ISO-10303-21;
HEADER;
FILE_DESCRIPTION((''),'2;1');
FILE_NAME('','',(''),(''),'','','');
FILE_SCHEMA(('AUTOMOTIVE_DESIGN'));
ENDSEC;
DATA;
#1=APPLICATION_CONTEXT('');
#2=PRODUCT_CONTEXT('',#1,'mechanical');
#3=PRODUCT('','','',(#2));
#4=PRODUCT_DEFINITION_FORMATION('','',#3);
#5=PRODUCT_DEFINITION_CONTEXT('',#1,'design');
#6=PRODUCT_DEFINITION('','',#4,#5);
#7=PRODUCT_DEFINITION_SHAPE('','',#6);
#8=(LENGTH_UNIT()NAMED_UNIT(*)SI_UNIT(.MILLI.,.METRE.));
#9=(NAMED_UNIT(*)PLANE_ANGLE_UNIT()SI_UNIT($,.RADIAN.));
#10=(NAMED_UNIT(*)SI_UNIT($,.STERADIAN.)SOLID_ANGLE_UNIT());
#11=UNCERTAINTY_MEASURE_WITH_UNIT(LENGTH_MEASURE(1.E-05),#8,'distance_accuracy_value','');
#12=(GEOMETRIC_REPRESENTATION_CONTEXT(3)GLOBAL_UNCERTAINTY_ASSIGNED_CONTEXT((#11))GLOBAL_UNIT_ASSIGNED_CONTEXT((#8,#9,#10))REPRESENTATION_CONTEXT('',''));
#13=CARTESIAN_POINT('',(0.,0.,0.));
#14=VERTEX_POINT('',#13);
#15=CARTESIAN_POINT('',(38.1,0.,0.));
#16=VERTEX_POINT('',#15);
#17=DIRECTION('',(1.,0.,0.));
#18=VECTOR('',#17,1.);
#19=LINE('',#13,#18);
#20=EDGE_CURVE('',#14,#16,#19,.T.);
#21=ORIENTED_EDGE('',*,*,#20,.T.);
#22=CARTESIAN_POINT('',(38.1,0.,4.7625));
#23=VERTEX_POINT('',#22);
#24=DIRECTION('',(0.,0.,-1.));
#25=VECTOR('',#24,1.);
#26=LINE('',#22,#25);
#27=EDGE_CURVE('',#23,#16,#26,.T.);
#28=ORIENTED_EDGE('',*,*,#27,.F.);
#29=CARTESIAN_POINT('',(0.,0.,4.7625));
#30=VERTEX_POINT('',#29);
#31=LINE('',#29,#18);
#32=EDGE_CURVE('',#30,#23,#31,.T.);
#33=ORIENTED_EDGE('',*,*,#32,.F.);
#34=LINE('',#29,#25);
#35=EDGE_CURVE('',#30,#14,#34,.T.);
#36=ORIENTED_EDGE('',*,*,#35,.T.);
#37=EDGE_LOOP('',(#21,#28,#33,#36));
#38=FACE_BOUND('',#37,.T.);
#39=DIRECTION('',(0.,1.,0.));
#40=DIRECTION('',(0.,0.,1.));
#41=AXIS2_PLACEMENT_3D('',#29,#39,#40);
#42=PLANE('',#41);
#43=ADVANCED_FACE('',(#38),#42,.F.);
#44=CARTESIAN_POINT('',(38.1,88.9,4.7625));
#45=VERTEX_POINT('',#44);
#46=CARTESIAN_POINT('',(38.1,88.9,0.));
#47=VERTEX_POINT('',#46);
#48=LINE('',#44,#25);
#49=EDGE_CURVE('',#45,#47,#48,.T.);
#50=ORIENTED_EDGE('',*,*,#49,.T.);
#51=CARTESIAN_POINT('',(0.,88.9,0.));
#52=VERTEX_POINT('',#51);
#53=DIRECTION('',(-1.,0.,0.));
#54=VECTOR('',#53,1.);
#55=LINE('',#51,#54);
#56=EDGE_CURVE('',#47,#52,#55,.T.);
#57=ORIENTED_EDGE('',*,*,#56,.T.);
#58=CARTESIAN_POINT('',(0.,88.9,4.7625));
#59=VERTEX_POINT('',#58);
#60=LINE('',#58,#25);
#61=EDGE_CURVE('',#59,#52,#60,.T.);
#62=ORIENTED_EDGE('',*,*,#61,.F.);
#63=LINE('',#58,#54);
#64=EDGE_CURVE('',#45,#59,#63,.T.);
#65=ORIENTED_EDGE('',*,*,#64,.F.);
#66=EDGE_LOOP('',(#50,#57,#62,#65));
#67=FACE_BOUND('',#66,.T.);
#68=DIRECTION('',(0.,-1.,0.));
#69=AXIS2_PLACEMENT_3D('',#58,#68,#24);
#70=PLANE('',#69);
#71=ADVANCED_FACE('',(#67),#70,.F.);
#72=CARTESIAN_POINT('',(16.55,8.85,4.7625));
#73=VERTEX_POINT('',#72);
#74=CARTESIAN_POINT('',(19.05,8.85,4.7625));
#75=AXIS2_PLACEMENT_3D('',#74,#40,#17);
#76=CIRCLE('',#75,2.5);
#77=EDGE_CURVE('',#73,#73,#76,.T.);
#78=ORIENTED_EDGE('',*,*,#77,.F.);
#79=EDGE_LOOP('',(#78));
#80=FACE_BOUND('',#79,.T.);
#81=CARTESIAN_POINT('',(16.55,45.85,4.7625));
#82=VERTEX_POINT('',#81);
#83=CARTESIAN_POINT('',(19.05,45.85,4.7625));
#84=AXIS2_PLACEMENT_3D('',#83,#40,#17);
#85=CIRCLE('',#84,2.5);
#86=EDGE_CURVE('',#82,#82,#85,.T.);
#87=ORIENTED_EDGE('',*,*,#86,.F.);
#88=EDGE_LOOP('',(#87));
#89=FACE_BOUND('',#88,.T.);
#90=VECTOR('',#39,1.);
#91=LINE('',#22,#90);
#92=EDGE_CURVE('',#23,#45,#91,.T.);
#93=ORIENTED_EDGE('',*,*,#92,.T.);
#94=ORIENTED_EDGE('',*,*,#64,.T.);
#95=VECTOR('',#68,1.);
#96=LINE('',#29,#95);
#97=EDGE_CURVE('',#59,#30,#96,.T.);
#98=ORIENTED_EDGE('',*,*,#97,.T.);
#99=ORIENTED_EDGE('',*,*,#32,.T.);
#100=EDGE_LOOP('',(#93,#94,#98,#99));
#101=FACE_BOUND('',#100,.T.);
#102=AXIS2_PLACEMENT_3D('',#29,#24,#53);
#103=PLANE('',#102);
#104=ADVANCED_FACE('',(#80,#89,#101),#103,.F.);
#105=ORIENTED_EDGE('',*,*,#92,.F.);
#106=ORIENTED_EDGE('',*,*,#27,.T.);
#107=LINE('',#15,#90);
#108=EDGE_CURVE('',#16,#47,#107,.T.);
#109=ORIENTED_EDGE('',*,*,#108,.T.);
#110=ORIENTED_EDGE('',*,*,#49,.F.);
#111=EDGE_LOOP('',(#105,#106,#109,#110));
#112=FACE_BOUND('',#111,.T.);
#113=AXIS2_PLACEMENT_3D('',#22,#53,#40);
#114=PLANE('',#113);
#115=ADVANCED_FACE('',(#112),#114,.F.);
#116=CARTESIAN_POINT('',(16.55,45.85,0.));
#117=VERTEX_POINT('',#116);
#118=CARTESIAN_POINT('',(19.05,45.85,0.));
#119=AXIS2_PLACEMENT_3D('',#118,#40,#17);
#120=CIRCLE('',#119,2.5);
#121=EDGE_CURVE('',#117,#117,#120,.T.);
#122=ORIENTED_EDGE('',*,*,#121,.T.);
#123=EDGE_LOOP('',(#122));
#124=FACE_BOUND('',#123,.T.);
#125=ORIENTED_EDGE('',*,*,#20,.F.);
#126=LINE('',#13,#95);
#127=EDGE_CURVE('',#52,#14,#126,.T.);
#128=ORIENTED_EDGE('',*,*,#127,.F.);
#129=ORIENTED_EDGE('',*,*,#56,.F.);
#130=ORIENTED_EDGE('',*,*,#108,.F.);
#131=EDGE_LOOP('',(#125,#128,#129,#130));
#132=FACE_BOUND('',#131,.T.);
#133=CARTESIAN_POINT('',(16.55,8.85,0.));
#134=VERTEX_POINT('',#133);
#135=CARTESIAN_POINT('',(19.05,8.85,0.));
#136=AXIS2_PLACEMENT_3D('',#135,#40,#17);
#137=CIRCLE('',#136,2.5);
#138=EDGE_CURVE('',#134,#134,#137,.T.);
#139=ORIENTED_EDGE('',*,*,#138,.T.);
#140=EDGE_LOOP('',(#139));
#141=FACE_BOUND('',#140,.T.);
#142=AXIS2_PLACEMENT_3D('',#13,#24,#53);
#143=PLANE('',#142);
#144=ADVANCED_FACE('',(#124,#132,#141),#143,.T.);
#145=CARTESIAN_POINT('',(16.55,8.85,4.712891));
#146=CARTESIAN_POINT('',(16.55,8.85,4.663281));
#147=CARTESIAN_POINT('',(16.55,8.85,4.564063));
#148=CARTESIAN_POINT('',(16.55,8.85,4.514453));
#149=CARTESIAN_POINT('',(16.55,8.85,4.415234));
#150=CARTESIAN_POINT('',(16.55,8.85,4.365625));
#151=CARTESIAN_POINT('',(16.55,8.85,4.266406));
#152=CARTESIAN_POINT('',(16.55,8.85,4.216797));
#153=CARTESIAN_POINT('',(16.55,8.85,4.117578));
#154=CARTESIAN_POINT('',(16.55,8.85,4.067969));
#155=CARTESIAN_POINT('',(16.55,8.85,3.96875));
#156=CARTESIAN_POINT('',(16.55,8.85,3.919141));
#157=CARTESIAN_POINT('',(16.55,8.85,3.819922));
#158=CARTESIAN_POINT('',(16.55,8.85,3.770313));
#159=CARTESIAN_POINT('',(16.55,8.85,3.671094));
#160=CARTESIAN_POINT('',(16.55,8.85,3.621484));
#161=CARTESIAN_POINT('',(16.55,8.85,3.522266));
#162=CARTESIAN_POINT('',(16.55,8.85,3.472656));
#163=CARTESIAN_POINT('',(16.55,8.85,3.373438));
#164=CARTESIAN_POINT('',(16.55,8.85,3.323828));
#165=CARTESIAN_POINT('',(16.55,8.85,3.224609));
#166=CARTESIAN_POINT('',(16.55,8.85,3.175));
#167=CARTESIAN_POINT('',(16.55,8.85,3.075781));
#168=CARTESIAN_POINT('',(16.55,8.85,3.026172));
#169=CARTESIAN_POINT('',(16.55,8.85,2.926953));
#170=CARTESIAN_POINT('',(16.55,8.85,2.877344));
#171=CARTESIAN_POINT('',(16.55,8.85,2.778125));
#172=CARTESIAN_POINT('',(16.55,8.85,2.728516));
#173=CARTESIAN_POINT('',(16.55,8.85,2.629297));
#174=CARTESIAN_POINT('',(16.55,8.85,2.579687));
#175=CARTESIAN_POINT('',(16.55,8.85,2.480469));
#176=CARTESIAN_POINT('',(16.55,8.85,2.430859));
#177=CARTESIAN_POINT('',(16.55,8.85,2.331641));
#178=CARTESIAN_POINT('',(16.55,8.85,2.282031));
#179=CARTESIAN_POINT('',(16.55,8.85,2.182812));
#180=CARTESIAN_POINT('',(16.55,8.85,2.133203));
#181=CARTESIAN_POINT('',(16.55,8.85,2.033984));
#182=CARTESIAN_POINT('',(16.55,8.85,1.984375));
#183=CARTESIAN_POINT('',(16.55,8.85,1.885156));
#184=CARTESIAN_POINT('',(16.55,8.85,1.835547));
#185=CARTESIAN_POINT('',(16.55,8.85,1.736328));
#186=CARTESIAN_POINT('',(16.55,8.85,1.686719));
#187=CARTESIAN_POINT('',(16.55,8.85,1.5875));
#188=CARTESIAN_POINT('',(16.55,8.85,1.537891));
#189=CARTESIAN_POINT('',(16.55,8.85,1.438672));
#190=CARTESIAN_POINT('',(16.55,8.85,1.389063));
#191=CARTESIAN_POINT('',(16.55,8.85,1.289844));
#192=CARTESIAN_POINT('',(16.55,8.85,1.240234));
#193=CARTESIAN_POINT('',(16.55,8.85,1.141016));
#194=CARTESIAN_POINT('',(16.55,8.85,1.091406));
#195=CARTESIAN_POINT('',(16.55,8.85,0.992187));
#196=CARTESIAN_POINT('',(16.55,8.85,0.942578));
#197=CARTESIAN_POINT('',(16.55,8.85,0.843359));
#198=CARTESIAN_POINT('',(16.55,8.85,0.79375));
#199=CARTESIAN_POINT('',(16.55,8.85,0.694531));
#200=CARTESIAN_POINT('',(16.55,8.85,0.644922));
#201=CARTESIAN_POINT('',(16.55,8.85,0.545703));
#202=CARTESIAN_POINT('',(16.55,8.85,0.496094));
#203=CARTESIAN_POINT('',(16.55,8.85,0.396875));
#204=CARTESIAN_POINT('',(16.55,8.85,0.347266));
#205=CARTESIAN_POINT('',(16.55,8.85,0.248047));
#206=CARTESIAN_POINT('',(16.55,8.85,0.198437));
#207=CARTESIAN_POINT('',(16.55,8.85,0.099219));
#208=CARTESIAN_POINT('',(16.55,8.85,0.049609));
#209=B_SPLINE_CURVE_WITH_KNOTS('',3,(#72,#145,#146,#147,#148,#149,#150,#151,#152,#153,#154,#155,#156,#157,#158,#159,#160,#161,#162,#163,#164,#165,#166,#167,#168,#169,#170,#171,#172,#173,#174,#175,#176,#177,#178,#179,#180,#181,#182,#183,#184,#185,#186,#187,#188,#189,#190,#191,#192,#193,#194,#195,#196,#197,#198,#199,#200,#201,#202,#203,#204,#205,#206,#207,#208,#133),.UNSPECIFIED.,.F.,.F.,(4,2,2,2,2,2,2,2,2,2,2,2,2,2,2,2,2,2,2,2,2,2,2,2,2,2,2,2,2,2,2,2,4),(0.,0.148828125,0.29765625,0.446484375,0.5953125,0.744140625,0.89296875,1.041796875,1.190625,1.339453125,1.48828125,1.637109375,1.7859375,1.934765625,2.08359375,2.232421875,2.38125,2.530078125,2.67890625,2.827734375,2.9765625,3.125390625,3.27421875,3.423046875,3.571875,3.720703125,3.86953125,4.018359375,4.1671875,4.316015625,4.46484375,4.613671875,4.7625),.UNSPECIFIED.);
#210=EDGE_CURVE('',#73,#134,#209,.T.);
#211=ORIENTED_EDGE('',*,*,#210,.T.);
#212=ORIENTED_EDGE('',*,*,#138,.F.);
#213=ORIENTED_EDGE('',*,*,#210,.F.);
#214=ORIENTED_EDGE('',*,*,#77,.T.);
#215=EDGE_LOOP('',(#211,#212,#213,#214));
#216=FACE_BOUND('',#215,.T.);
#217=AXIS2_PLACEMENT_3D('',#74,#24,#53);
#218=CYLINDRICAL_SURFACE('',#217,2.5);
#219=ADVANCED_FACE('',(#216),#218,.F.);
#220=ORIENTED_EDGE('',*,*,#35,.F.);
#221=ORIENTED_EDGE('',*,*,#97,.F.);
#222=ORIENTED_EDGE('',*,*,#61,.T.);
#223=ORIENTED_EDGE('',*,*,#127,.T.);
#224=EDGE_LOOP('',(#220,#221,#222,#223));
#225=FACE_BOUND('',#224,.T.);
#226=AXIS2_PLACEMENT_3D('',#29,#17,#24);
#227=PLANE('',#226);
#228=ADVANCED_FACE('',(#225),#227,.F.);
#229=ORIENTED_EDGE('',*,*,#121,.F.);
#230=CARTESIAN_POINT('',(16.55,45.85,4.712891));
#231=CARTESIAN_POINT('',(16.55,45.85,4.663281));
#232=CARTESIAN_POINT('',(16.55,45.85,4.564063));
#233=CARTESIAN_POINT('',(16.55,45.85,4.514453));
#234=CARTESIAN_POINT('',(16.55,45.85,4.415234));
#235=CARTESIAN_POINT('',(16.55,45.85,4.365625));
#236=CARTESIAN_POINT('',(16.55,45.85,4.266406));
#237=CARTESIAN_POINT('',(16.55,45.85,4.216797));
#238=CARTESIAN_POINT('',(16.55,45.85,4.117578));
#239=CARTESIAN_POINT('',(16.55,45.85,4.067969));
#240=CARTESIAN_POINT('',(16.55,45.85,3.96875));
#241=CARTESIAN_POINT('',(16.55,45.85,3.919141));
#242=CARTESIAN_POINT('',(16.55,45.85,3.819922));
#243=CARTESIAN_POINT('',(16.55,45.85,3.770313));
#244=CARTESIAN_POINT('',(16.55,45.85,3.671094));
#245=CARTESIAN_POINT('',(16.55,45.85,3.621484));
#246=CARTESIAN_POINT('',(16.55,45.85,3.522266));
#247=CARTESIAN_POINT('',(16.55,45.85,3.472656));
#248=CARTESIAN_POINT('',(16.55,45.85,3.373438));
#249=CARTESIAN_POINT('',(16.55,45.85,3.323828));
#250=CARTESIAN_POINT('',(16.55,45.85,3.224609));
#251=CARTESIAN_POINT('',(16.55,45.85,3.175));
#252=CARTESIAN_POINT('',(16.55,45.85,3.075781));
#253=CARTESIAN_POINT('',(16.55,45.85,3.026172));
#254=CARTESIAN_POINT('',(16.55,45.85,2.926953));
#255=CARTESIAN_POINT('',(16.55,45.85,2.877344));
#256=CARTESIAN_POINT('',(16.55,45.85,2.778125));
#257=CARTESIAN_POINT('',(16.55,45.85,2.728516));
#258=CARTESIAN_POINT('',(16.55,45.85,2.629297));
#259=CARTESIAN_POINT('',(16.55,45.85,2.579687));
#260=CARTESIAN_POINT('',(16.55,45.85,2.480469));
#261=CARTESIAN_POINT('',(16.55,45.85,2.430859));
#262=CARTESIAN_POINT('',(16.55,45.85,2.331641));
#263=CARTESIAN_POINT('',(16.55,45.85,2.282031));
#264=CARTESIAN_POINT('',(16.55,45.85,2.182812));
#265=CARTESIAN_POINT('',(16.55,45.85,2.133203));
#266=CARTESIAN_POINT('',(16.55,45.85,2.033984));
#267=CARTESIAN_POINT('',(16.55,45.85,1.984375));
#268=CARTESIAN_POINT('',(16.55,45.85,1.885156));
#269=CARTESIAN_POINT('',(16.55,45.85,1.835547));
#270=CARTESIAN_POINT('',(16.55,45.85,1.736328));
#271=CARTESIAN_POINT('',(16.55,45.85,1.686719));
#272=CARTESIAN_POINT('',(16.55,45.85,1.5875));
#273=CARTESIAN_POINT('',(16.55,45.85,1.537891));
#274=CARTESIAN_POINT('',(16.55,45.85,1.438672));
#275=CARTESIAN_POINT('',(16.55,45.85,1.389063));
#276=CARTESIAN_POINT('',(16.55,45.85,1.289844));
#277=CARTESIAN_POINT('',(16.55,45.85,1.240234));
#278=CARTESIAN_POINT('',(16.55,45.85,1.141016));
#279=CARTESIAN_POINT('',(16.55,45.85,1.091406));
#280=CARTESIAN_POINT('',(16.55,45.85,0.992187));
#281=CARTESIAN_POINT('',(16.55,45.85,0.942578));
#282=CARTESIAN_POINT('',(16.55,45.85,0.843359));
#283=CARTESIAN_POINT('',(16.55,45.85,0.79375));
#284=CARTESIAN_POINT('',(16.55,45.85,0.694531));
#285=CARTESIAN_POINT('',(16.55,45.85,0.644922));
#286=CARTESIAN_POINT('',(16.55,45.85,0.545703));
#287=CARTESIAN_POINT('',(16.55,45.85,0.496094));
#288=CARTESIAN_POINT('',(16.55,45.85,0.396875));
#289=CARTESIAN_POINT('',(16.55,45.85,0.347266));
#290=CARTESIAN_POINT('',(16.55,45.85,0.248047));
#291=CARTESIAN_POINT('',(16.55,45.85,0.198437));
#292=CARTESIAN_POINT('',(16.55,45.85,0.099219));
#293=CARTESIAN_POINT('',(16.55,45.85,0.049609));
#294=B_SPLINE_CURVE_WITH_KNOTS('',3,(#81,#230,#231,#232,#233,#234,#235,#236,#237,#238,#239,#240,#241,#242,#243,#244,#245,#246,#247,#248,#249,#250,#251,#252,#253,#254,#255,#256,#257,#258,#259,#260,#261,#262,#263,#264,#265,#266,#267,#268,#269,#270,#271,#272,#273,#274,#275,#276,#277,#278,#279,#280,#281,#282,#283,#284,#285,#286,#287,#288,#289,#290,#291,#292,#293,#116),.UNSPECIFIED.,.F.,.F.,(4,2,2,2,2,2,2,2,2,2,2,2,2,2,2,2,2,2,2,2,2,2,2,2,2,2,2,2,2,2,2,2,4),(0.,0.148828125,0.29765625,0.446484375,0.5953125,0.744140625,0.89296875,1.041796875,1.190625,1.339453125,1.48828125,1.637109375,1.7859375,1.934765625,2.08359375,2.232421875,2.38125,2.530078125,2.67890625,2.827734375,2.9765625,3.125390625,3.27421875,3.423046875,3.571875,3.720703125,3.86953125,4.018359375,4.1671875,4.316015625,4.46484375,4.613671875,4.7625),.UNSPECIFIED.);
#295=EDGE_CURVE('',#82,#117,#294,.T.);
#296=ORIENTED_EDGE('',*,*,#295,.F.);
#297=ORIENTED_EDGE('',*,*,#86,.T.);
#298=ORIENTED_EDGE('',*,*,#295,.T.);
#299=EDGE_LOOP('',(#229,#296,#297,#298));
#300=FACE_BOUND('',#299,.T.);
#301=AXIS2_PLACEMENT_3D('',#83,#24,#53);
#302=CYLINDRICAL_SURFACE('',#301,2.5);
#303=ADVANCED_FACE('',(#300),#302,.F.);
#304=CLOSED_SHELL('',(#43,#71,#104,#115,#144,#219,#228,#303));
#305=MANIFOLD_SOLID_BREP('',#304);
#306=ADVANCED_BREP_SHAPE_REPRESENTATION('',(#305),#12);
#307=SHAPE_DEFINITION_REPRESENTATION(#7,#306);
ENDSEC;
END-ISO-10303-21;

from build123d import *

# Parameters (mm, degrees)
SKETCH1_W           = 38.1
SKETCH1_H           = 88.9
SKETCH1_R           = 2.5
BOSS_EXTRUDE1_DEPTH = 4.7625


with BuildPart() as part:
    # Sketch1 → Boss-Extrude1 (new body)
    with BuildSketch(Plane.XY):
        with Locations((19.05, 44.45)):
            Rectangle(SKETCH1_W, SKETCH1_H)
        with Locations(Location((19.05, 8.85, 0), (0, 0, 180))):
            Circle(SKETCH1_R, mode=Mode.SUBTRACT)
        with Locations(Location((19.05, 45.85, 0), (0, 0, 180))):
            Circle(SKETCH1_R, mode=Mode.SUBTRACT)
    extrude(amount=BOSS_EXTRUDE1_DEPTH)


solid = part.part
